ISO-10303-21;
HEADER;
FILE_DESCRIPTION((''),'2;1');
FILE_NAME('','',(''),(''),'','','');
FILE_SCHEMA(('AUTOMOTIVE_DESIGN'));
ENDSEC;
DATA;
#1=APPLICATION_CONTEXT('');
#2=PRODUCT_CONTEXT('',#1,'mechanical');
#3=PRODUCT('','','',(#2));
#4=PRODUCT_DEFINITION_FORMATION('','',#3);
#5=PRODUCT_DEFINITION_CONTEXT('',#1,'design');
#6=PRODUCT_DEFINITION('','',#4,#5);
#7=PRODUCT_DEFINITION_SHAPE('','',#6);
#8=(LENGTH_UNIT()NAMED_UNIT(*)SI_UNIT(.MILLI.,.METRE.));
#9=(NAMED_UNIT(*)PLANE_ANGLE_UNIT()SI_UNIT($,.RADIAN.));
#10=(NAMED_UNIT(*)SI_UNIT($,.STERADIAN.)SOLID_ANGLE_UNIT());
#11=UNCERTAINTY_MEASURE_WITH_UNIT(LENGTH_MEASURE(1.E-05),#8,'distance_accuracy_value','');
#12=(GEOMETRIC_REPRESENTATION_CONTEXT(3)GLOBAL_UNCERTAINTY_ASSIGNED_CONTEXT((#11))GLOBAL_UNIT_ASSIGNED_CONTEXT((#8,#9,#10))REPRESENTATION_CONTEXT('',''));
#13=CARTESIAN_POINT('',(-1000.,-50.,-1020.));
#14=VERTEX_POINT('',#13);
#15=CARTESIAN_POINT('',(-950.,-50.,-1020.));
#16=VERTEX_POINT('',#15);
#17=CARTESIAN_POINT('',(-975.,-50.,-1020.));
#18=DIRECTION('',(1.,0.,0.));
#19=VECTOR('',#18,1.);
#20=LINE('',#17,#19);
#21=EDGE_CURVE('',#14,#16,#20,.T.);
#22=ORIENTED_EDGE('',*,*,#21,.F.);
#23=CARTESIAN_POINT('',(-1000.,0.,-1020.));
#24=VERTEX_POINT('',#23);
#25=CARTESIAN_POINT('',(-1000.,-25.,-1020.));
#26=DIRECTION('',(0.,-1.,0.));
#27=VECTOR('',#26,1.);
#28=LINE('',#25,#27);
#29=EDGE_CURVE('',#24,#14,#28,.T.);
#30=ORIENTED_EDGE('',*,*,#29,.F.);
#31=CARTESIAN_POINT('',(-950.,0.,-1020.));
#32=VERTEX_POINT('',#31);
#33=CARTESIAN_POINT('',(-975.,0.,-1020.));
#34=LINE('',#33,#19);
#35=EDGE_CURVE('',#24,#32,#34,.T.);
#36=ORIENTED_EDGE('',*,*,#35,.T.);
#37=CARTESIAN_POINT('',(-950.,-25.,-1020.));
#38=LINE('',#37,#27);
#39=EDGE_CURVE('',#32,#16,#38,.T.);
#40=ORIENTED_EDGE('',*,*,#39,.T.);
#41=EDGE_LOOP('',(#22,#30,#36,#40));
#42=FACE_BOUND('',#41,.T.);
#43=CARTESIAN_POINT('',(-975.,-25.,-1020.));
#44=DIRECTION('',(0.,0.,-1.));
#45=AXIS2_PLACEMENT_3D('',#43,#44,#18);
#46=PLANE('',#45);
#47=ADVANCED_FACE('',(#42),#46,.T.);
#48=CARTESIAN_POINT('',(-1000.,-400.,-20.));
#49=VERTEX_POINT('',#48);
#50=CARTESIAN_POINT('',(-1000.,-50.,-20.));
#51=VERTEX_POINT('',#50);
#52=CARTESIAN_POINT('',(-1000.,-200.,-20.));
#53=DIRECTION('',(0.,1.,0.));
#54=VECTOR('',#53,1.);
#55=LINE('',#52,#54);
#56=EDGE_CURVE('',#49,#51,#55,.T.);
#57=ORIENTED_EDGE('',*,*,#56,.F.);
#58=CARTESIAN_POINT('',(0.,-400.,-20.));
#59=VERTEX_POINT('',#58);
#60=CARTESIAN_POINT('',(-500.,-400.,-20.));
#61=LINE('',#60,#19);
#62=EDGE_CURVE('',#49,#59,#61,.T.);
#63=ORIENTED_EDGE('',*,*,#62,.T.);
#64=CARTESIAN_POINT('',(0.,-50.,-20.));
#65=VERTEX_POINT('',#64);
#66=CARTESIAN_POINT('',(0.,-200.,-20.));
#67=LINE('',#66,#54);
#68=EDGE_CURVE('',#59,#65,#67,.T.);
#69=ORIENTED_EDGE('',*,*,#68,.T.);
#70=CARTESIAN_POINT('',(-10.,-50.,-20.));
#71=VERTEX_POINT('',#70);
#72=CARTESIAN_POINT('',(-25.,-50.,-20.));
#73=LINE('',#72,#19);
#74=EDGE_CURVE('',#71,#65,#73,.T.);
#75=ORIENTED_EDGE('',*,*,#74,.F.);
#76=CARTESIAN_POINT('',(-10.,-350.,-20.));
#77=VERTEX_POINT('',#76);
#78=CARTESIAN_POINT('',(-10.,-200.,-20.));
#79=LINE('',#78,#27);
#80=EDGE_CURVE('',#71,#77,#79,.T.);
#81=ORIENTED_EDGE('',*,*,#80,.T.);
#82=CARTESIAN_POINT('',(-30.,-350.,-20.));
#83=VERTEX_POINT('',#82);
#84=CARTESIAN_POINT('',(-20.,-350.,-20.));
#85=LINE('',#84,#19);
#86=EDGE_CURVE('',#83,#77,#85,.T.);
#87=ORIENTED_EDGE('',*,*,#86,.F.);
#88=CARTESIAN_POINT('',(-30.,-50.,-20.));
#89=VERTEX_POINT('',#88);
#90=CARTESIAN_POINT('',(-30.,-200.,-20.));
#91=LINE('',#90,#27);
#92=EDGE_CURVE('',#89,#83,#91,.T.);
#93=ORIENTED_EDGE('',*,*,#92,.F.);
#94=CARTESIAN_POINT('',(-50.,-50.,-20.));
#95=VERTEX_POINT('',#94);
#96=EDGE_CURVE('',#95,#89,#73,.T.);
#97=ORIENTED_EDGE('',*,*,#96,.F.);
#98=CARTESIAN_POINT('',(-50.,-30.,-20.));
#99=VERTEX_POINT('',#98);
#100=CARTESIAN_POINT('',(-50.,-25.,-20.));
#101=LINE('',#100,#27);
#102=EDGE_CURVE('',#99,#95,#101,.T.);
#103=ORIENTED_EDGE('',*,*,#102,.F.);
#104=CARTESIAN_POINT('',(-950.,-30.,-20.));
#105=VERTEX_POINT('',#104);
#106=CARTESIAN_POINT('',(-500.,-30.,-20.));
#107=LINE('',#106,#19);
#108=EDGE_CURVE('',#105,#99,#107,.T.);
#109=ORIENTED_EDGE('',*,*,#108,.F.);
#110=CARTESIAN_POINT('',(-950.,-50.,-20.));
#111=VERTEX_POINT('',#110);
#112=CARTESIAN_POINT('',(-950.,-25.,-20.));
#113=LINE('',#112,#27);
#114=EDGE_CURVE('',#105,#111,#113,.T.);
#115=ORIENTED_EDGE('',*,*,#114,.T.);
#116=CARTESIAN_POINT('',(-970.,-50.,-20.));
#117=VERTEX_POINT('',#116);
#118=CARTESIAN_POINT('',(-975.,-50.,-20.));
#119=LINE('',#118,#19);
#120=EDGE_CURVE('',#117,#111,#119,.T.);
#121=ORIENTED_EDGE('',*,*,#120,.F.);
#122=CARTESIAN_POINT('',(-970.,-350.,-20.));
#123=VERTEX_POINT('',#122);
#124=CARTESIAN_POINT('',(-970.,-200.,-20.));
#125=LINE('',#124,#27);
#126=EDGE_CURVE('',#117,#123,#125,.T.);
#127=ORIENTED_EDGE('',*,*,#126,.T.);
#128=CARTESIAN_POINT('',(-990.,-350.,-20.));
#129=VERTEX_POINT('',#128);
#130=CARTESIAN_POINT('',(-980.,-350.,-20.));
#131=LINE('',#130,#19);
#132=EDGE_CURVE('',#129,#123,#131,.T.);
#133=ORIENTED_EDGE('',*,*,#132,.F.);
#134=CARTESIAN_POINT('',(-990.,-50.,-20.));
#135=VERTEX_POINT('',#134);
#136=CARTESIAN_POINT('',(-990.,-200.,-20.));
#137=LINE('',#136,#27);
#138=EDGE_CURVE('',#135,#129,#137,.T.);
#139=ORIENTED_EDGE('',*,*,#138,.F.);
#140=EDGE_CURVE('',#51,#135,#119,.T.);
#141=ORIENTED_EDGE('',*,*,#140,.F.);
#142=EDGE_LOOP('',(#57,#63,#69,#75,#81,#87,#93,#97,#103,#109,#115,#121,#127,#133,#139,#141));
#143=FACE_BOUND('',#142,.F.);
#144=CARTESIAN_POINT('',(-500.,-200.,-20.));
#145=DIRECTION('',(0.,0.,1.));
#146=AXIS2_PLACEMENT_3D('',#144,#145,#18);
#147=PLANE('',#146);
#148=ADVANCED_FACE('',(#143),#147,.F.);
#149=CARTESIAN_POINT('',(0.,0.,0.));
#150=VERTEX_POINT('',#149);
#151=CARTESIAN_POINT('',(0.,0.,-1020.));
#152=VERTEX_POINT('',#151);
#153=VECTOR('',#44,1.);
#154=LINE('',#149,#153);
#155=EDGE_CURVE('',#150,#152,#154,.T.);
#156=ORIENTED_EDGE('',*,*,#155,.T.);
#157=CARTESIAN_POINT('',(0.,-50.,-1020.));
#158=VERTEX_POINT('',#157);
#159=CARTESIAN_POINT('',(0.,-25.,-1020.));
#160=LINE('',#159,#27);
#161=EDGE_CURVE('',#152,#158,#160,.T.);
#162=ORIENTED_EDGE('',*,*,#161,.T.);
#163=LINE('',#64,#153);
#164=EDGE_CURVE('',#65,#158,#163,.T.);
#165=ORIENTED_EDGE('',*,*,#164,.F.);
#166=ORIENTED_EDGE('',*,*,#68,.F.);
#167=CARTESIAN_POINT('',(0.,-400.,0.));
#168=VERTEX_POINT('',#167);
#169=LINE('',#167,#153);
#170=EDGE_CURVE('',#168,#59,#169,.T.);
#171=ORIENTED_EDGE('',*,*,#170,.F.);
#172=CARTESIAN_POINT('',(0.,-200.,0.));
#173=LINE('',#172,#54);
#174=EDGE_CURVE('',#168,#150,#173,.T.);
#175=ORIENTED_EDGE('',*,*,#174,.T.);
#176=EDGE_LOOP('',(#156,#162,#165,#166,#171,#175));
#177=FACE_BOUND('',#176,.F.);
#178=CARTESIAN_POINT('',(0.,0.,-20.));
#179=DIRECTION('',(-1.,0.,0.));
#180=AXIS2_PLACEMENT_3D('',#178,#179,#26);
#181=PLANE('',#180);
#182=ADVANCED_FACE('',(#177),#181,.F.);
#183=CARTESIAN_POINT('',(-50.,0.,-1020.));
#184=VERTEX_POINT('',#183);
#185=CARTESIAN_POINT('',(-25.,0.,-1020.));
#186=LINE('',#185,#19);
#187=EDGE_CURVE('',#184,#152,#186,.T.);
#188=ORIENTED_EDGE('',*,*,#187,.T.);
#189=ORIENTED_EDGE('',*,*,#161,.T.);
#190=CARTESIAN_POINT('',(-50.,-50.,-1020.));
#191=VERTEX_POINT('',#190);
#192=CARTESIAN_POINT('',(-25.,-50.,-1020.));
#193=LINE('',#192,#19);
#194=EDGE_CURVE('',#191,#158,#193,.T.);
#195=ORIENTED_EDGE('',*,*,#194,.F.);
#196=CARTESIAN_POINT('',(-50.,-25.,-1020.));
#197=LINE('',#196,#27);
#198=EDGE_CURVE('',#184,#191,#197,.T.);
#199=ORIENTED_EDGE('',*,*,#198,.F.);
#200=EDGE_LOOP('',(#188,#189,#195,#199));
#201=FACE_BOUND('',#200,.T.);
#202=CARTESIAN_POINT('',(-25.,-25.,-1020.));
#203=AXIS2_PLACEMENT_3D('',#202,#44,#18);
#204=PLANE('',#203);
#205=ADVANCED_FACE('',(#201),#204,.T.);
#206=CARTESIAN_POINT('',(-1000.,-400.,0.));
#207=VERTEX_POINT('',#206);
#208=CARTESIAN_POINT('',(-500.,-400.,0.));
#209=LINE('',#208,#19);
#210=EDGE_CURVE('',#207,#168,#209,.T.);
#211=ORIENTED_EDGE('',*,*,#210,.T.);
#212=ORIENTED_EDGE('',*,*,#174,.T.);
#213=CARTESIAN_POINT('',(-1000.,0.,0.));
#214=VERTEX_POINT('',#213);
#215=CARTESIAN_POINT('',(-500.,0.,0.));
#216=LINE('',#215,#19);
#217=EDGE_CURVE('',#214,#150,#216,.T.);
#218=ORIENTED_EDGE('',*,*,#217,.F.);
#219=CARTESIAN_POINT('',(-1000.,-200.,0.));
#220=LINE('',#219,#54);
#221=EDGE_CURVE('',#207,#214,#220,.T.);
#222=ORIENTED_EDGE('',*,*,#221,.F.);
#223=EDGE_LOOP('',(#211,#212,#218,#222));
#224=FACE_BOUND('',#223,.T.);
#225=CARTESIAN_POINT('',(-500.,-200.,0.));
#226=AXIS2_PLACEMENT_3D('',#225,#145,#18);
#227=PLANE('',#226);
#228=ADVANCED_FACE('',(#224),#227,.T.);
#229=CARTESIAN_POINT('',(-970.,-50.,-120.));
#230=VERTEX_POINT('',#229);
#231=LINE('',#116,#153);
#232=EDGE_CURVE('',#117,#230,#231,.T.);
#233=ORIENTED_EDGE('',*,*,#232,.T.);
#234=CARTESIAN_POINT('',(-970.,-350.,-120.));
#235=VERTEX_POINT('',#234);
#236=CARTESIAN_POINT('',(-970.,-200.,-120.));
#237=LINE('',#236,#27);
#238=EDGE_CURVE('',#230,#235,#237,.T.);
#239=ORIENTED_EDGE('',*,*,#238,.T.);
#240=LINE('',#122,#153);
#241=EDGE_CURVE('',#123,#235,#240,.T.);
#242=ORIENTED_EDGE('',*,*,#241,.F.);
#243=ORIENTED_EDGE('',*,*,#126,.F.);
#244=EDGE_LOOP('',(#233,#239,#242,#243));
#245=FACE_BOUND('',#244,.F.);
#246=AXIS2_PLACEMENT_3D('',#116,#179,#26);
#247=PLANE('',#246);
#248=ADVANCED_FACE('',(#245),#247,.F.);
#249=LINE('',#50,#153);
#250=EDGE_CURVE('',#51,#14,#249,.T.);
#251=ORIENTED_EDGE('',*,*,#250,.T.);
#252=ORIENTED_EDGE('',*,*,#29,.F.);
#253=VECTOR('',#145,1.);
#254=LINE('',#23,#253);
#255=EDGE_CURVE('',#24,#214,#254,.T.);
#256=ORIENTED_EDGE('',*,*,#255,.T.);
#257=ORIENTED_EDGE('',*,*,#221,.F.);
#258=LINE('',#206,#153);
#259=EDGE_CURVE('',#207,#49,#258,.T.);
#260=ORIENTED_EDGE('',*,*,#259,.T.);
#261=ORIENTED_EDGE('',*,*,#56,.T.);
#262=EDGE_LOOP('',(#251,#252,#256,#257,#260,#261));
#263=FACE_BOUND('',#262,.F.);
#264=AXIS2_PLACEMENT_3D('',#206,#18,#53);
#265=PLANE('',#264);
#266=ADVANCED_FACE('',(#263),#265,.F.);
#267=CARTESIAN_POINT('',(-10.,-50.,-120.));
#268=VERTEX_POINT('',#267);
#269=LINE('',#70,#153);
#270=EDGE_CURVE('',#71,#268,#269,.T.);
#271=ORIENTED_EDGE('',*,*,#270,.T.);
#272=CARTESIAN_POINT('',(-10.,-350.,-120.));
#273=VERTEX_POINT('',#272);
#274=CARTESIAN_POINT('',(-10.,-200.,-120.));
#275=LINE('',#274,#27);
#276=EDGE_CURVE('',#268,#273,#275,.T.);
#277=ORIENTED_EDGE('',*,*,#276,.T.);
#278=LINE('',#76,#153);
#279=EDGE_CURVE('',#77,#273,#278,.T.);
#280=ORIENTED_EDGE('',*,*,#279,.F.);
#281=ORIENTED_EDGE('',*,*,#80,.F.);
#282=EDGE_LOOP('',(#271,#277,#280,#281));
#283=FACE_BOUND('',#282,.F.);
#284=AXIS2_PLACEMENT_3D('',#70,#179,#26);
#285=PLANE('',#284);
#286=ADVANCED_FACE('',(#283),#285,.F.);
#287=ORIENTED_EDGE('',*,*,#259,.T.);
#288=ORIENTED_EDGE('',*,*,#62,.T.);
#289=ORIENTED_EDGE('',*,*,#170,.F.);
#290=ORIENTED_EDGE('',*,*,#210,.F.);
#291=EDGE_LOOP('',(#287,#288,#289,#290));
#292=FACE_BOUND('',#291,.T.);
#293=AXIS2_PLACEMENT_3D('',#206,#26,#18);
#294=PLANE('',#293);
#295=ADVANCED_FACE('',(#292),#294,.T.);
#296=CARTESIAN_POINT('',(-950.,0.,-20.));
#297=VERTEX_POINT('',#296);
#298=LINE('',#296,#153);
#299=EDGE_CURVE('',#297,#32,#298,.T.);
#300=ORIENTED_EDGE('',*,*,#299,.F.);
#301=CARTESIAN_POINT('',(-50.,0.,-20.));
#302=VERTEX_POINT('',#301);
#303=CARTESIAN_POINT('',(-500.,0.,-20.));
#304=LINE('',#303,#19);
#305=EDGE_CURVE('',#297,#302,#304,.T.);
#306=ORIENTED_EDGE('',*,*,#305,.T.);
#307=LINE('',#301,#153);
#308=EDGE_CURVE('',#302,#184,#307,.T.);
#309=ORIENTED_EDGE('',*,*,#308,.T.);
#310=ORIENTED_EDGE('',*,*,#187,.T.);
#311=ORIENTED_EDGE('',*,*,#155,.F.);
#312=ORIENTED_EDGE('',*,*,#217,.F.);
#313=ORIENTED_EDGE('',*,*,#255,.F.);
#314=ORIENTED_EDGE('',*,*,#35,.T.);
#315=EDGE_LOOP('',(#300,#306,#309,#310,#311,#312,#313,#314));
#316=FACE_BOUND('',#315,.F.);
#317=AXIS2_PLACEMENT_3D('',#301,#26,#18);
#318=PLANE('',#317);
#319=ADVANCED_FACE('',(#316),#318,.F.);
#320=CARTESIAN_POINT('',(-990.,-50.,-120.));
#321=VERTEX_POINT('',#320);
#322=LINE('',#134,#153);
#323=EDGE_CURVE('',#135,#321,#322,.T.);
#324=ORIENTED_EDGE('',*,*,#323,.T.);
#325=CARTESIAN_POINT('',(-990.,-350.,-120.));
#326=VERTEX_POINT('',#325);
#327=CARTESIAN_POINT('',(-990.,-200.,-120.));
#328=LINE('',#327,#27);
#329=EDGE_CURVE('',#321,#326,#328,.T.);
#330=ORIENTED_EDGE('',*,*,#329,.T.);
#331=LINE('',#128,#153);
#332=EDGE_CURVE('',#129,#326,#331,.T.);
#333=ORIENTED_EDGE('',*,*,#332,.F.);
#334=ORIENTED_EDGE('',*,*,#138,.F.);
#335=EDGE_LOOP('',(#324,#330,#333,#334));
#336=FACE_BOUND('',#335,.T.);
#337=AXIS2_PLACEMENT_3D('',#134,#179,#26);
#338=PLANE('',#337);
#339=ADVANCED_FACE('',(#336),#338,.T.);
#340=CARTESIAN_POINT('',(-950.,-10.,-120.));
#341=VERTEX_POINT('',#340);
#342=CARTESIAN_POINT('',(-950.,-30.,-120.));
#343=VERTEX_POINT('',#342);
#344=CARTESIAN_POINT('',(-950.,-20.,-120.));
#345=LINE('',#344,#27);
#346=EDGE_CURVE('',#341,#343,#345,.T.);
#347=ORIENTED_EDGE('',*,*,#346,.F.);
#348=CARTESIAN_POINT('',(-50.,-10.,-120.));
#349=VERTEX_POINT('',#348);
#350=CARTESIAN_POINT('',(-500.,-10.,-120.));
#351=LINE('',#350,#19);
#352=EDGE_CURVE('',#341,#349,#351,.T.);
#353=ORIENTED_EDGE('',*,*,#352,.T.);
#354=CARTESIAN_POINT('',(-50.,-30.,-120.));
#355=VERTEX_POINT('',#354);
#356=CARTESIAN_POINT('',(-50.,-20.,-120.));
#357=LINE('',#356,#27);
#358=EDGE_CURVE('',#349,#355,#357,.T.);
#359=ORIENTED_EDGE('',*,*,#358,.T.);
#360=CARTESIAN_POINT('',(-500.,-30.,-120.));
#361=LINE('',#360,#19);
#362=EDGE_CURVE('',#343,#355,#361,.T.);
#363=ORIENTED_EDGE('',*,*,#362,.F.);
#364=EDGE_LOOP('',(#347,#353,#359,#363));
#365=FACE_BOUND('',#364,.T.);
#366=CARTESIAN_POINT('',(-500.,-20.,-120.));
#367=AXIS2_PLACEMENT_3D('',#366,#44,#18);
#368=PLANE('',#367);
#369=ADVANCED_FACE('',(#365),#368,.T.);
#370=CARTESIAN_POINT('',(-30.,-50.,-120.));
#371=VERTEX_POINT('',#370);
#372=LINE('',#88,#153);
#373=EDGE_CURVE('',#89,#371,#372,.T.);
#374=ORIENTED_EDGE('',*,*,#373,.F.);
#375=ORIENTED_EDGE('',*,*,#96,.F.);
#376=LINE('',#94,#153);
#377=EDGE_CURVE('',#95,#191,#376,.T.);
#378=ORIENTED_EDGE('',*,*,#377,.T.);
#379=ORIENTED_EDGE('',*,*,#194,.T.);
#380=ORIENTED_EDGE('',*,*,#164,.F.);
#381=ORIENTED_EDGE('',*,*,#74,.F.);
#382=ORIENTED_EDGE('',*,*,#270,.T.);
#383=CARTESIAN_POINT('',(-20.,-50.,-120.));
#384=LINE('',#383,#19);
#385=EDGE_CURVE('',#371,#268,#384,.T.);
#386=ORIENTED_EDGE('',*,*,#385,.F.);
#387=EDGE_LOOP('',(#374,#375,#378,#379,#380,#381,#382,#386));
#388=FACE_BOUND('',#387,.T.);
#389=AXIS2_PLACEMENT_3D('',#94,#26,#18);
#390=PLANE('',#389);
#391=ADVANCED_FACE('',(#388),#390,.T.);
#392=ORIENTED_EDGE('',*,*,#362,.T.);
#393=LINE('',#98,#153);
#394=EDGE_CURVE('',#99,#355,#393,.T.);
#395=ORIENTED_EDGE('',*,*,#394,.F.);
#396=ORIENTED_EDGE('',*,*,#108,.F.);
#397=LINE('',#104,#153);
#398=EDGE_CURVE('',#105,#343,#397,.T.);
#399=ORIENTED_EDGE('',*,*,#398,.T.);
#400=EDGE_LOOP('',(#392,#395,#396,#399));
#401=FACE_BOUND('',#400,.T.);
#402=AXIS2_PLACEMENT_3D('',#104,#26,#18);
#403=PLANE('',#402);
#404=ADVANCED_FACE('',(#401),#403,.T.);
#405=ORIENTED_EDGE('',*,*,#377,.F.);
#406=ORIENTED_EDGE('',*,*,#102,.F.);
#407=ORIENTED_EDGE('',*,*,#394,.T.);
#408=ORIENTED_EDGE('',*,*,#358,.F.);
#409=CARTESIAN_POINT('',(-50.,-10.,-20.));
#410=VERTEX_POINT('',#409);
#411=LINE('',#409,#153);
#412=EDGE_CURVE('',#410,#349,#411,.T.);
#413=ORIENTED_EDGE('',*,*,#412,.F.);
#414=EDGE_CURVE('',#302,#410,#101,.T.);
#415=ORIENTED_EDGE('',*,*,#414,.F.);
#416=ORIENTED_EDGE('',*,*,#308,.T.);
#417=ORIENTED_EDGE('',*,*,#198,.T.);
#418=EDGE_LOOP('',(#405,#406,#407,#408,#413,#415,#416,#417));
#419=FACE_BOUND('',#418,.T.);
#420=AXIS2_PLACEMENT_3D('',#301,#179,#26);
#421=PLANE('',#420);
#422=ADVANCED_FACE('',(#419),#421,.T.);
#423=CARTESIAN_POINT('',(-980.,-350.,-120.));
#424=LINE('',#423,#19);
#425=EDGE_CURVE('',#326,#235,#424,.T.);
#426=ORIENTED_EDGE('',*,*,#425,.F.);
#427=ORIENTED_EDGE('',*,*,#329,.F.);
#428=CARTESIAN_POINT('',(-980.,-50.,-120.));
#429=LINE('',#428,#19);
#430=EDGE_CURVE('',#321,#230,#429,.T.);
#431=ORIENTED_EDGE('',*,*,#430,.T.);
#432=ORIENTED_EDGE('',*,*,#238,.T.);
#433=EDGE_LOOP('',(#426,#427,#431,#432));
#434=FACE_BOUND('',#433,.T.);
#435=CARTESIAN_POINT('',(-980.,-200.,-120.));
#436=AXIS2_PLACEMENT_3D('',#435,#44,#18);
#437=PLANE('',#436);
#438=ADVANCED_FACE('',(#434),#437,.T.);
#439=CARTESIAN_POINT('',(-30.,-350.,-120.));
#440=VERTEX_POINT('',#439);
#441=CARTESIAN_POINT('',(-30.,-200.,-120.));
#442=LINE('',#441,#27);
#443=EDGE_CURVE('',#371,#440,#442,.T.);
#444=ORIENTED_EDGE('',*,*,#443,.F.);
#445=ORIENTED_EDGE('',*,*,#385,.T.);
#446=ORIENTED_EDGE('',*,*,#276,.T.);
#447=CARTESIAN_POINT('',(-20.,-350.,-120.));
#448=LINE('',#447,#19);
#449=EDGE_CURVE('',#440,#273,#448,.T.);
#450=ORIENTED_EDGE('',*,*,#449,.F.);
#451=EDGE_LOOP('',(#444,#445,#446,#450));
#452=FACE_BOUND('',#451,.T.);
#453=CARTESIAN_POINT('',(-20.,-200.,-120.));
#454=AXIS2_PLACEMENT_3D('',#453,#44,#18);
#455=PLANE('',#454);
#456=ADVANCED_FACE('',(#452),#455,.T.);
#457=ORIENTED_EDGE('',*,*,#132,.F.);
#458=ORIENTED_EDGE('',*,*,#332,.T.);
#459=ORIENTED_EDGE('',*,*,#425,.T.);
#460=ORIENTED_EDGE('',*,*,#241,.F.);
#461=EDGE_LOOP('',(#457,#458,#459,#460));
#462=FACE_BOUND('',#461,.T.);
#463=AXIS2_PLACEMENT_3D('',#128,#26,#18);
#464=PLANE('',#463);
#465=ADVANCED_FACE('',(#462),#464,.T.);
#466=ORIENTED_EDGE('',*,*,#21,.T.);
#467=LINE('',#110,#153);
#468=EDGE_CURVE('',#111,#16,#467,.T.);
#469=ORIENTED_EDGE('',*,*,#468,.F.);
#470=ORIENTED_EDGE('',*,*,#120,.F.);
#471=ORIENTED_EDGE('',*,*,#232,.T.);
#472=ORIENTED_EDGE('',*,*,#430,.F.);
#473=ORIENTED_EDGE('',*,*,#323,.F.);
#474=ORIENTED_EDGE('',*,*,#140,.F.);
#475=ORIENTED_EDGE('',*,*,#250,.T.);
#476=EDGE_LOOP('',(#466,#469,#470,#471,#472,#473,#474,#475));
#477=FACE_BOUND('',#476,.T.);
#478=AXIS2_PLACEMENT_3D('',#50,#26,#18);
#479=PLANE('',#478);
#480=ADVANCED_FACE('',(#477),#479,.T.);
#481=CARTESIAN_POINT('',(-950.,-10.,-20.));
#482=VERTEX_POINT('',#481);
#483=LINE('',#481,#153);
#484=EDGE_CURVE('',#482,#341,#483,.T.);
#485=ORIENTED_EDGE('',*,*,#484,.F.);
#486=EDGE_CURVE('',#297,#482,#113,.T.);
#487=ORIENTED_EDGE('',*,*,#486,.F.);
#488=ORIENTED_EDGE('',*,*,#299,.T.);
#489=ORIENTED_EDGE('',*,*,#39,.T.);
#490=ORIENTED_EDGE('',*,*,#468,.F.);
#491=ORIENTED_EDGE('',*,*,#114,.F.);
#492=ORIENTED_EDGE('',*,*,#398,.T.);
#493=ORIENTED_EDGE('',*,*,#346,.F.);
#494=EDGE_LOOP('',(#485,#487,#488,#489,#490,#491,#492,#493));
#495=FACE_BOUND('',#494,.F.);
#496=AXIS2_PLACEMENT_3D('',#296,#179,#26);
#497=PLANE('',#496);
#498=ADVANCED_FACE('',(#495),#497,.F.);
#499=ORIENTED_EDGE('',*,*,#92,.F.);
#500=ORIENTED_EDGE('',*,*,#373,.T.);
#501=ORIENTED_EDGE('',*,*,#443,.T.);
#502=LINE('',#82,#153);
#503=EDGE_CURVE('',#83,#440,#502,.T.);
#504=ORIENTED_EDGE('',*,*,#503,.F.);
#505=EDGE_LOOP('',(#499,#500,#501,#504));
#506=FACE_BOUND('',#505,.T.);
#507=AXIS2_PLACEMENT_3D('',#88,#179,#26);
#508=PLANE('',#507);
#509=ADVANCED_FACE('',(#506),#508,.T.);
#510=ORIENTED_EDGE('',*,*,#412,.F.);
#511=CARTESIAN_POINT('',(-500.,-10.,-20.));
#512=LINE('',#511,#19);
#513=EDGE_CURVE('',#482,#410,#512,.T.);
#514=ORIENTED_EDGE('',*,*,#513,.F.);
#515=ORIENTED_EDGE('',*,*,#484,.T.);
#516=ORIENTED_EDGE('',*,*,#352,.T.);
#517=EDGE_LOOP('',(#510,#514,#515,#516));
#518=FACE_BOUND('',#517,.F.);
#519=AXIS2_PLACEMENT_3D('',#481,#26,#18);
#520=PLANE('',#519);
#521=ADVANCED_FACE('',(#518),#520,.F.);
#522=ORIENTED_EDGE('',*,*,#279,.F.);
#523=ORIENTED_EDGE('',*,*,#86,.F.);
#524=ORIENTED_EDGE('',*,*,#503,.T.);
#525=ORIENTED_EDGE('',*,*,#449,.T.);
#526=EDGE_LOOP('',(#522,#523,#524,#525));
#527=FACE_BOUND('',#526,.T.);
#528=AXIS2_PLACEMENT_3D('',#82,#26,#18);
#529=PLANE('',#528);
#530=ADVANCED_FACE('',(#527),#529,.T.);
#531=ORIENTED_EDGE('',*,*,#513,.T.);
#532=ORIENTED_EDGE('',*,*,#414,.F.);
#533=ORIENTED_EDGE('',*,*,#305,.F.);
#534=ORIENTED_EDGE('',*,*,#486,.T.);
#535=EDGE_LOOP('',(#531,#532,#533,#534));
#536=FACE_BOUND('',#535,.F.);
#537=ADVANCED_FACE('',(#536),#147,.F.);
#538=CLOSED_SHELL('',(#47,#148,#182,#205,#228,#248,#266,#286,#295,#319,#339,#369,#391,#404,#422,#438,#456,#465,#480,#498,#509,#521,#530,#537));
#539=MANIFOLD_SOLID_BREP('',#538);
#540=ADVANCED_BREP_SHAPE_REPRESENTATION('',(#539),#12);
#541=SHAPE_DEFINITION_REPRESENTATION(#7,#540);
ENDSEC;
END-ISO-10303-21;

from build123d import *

# Parameters (mm, degrees)
F0_W     = 1000
F0_H     = 400
F1_DEPTH = 20
F2_W     = 50
F2_H     = 50
F3_DEPTH = 1000
F4_W     = 900
F4_H     = 20
F4_W_2   = 20
F4_H_2   = 300
F5_DEPTH = 100


with BuildPart() as f1:
    # F0 (on Top) → F1 (new body)
    with BuildSketch(Plane.XY):
        with Locations((-500, -200)):
            Rectangle(F0_W, F0_H)
    extrude(amount=-F1_DEPTH)

    # F2 (on face) → F3 (join)
    with BuildSketch(Plane(origin=(0, 0, -20), x_dir=(1, 0, 0), z_dir=(0, 0, -1))):
        with Locations((-25, 25)):
            Rectangle(F2_W, F2_H)
        with Locations((-975, 25)):
            Rectangle(F2_W, F2_H)
    extrude(amount=F3_DEPTH)

    # F4 (on face) → F5 (join)
    with BuildSketch(Plane(origin=(0, 0, -20), x_dir=(1, 0, 0), z_dir=(0, 0, -1))):
        with Locations((-500, 20)):
            Rectangle(F4_W, F4_H)
        with Locations((-20, 200)):
            Rectangle(F4_W_2, F4_H_2)
        with Locations((-980, 200)):
            Rectangle(F4_W_2, F4_H_2)
    extrude(amount=F5_DEPTH)


solid = f1.part
